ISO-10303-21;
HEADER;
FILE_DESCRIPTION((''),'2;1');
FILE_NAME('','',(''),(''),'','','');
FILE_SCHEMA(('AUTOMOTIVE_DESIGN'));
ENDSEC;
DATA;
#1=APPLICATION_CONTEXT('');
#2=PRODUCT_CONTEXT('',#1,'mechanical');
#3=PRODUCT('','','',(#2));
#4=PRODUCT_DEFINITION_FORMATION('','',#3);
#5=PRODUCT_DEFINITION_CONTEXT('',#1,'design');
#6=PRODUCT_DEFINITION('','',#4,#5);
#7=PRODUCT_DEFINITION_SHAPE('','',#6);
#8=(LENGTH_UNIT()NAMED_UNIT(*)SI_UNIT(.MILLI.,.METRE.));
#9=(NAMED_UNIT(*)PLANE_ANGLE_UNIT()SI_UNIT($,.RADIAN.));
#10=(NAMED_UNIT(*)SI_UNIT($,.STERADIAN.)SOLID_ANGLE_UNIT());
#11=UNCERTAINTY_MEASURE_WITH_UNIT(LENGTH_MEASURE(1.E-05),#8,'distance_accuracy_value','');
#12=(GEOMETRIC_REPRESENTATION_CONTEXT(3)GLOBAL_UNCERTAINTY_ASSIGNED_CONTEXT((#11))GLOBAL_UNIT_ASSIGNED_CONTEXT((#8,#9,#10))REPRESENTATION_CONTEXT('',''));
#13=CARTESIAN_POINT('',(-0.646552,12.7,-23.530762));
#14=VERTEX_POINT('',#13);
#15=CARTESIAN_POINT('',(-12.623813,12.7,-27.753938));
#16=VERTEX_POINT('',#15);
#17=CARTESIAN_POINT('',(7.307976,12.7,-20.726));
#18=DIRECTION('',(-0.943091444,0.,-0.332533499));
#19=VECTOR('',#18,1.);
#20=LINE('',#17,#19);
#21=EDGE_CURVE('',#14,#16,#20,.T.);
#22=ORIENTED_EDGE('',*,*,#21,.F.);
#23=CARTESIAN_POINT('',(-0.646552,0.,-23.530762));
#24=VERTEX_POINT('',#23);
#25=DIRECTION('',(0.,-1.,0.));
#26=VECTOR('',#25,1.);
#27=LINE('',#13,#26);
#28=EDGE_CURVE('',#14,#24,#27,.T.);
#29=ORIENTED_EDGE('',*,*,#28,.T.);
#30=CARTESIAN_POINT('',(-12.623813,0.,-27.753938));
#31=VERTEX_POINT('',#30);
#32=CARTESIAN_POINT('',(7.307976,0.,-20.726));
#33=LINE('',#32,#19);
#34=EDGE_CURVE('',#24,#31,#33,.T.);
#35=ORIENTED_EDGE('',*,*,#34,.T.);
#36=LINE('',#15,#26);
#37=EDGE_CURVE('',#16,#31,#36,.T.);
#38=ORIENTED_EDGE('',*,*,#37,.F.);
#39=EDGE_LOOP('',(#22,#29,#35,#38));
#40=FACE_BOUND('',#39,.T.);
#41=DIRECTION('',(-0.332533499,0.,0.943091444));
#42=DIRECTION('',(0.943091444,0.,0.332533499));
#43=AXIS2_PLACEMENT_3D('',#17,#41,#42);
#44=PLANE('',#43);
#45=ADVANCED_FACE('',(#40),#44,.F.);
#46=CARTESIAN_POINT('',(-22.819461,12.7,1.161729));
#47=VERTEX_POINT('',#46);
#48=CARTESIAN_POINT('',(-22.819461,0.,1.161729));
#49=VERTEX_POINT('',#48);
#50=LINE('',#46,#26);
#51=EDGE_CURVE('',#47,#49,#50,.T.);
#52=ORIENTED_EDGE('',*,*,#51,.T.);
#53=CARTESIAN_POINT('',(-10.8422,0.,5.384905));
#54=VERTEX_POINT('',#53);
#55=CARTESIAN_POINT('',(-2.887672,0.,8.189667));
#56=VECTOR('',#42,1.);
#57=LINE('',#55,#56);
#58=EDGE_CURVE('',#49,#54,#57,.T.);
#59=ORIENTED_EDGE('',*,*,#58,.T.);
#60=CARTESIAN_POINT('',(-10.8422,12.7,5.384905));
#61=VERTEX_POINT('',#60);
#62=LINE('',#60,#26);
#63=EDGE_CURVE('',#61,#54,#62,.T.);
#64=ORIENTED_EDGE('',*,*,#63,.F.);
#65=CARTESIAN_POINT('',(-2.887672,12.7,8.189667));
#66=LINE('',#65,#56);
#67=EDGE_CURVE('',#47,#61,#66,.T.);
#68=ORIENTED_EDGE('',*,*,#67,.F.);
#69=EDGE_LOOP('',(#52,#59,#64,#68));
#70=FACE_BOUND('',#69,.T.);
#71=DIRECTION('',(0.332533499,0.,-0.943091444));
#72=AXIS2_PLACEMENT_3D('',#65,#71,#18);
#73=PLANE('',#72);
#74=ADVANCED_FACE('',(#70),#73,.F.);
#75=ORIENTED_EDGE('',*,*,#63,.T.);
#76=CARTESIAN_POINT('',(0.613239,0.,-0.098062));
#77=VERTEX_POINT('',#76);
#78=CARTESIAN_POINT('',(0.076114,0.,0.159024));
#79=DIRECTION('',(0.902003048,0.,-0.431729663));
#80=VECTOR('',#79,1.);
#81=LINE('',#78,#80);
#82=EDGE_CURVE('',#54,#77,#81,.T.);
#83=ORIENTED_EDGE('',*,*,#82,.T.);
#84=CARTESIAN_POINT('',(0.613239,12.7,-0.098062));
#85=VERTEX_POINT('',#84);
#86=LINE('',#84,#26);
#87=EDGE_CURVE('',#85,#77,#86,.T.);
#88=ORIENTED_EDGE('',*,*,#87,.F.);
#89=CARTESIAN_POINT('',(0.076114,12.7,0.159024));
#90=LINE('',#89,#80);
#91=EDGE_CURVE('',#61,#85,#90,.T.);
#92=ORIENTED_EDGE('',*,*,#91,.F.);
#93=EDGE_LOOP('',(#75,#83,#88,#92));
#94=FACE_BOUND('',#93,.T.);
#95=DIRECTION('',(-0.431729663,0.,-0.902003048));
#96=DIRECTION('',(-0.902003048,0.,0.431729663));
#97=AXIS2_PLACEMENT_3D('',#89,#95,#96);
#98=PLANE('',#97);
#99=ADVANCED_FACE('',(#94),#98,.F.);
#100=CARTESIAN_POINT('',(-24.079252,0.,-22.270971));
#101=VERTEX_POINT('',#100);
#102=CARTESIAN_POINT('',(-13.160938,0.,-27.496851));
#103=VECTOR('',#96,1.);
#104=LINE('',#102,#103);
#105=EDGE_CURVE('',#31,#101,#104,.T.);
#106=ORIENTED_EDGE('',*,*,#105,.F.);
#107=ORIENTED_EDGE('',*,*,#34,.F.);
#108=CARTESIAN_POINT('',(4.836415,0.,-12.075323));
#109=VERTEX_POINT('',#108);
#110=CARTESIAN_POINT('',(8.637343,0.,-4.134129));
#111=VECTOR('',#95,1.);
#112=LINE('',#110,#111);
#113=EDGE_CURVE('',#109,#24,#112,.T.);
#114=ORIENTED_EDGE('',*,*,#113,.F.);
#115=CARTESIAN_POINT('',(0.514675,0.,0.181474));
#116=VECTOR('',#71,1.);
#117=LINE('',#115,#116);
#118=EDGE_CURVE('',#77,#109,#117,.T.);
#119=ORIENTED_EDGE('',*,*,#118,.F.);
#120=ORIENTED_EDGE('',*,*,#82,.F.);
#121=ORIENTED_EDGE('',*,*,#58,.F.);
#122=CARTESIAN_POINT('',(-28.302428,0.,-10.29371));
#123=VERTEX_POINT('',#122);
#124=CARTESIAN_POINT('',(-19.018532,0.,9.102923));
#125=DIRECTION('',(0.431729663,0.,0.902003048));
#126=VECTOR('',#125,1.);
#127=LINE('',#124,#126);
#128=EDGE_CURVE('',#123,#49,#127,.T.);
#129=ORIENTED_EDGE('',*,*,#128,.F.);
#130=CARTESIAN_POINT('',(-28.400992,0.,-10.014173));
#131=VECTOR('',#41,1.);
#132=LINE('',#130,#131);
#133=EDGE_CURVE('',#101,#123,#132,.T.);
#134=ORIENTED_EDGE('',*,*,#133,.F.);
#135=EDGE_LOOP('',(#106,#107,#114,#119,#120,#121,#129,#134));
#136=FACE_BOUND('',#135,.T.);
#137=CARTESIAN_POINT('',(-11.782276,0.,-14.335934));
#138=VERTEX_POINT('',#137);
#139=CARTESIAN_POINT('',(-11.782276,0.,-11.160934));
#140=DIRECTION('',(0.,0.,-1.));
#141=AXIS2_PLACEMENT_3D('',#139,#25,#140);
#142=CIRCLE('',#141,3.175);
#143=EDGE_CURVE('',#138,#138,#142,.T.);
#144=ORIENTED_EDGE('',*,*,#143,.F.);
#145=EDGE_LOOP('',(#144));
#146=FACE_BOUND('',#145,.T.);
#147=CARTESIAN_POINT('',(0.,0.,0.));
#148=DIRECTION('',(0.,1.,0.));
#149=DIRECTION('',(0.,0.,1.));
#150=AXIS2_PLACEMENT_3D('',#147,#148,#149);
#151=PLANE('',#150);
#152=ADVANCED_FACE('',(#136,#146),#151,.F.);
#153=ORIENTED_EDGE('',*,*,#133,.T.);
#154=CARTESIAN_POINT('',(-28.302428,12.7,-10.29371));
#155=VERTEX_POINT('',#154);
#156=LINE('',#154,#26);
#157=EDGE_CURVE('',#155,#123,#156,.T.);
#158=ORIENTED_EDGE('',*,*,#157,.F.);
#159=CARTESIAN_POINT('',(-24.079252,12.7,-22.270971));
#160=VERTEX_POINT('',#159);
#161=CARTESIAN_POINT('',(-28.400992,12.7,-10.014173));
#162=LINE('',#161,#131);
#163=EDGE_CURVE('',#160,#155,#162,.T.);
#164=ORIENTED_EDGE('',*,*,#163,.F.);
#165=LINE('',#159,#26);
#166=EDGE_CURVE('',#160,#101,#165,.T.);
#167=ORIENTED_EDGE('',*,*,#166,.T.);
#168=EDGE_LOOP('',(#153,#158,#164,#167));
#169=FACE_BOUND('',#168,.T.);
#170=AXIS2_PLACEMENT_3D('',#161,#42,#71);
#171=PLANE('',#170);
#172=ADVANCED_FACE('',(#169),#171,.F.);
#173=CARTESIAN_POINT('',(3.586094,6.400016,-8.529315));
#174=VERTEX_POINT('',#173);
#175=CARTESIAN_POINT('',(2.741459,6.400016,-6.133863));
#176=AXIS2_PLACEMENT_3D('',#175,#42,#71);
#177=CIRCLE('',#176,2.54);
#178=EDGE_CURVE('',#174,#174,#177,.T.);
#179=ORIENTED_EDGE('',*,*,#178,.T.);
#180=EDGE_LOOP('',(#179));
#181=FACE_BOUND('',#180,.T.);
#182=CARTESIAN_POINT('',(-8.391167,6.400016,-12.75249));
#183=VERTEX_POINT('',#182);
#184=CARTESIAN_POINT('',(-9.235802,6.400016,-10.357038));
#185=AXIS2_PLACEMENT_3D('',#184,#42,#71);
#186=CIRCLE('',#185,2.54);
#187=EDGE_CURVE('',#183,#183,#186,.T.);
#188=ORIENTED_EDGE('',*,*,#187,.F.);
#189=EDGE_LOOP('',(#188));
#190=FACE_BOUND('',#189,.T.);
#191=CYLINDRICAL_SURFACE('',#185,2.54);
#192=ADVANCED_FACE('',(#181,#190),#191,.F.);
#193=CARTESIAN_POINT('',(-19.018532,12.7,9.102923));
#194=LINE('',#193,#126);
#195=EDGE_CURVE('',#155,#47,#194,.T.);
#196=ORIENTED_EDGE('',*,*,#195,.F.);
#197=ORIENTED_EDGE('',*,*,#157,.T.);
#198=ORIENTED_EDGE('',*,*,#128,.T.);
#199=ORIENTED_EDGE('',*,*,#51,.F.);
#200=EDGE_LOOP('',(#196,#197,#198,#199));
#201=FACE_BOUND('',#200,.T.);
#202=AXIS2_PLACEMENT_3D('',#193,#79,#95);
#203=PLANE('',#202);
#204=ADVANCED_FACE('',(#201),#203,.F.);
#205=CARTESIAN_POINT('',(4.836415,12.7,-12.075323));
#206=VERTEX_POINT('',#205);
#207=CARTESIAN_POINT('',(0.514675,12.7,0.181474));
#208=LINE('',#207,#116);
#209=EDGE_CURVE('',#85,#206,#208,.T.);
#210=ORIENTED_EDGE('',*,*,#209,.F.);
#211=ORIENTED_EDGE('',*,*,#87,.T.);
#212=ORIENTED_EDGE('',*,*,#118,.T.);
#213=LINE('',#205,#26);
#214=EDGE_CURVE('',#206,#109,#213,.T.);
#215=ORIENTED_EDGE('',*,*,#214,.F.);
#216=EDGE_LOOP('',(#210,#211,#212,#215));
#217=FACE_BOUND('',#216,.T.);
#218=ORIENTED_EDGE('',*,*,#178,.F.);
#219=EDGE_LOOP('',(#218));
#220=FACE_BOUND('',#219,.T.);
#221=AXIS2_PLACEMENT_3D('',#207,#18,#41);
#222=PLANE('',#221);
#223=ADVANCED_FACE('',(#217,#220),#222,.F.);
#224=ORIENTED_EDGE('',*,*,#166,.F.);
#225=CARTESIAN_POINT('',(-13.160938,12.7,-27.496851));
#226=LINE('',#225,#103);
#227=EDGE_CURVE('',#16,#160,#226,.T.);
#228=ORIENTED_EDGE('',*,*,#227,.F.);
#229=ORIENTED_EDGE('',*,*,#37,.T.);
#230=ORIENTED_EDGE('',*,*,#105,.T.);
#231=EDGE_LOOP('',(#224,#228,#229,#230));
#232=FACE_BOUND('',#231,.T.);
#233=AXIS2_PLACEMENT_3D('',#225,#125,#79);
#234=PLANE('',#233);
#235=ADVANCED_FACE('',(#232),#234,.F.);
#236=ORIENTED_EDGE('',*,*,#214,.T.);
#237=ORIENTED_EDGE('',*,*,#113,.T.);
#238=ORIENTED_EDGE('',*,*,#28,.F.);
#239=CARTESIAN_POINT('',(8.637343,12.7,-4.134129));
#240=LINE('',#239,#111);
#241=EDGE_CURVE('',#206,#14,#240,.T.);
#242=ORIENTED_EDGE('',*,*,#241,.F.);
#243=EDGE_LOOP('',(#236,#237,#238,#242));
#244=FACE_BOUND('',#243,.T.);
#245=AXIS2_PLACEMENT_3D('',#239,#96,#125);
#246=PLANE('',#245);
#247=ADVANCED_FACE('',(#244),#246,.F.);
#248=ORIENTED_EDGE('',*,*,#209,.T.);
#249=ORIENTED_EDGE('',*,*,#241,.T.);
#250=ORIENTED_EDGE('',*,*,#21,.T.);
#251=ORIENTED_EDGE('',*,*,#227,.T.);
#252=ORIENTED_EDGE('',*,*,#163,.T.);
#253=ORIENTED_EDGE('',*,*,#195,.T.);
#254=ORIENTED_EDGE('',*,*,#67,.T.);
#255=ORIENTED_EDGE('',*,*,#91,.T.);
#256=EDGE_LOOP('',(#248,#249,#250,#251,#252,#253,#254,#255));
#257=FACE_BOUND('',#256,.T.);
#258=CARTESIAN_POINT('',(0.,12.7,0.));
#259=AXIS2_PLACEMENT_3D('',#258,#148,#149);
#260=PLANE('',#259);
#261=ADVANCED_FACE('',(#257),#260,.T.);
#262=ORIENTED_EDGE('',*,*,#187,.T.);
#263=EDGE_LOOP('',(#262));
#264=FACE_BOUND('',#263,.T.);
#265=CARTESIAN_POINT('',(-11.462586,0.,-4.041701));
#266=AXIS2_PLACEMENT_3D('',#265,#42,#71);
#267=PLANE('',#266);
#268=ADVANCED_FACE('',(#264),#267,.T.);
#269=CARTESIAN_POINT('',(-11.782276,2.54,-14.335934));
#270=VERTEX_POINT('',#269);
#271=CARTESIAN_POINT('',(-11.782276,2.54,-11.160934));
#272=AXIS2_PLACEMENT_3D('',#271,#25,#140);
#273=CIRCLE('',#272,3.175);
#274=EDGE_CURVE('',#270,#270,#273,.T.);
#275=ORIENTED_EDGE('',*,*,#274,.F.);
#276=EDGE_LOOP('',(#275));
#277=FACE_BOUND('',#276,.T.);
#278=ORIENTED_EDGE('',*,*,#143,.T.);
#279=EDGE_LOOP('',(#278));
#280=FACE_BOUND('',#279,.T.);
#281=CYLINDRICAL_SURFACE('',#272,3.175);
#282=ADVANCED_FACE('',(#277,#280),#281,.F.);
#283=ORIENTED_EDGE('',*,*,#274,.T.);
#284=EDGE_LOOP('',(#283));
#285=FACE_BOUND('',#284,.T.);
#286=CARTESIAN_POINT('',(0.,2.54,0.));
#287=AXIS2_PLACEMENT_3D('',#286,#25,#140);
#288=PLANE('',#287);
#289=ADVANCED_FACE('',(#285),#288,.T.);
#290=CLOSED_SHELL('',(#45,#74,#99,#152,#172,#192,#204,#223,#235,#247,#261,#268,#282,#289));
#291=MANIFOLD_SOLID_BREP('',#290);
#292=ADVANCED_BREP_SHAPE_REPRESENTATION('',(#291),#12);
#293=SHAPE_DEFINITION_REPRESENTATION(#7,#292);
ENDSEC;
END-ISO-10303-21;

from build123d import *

# Parameters (mm, degrees)
BOSS_EXTRUDE1_DEPTH = 12.7
CUT_EXTRUDE1_DEPTH  = 12.7
CUT_EXTRUDE2_DEPTH  = 2.54


with BuildPart() as part:
    # Sketch1 → Boss-Extrude1 (new body)
    with BuildSketch(Plane(origin=(0, 0, 0), x_dir=(1, 0, 0), z_dir=(0, 1, 0))):
        Polygon((-10.842199515, -5.384904617), (0.613239188, 0.098062109), (4.836414625, 12.07532345), (-0.6465521, 23.530762153), (-12.623813441, 27.75393759), (-24.079252145, 22.270970865), (-28.302427581, 10.293709523), (-22.819460856, -1.16172918), align=None)
    extrude(amount=BOSS_EXTRUDE1_DEPTH)

    # Sketch2 → Cut-Extrude1 (cut)
    with BuildSketch(Plane(origin=(0.514674893, 0, 0.18147407), x_dir=(0.33253349893190465, 0, -0.9430914441813716), z_dir=(0.9430914441813716, 0, 0.33253349893190465))):
        with BuildLine():
            ThreePointArc((9.236420315, 6.400016207), (9.043074328, 7.372032125), (8.49247154, 8.196067431))
            Line((8.49247154, 8.196067431), (6.646404109, 6.35))
            Line((6.646404109, 6.35), (8.441758775, 4.554645333))
            ThreePointArc((8.441758775, 4.554645333), (9.029311192, 5.395416707), (9.236420315, 6.400016207))
        make_face()
        with BuildLine():
            Line((6.646404109, 6.35), (8.49247154, 8.196067431))
            ThreePointArc((8.49247154, 8.196067431), (6.661050087, 8.939769925), (4.851049442, 8.145354667))
            Line((4.851049442, 8.145354667), (6.646404109, 6.35))
        make_face()
        with BuildLine():
            Line((8.441758775, 4.554645333), (6.646404109, 6.35))
            Line((6.646404109, 6.35), (4.900369091, 4.603964983))
            ThreePointArc((4.900369091, 4.603964983), (6.661050087, 3.860262489), (8.441758775, 4.554645333))
        make_face()
        with BuildLine():
            Line((4.900369091, 4.603964983), (6.646404109, 6.35))
            Line((6.646404109, 6.35), (4.851049442, 8.145354667))
            ThreePointArc((4.851049442, 8.145354667), (4.156666598, 6.364645978), (4.900369091, 4.603964983))
        make_face()
    extrude(amount=-CUT_EXTRUDE1_DEPTH, mode=Mode.SUBTRACT)

    # Sketch3 → Cut-Extrude2 (cut)
    with BuildSketch(Plane.XZ):
        with BuildLine():
            ThreePointArc((-14.953750816, -11.01136249), (-13.141781341, -14.030145133), (-9.65800947, -13.520620278))
            Line((-9.65800947, -13.520620278), (-11.762472687, -11.182932321))
            Line((-11.762472687, -11.182932321), (-14.953750816, -11.01136249))
        make_face()
        with BuildLine():
            Line((-11.762472687, -11.182932321), (-9.65800947, -13.520620278))
            ThreePointArc((-9.65800947, -13.520620278), (-8.922077868, -12.53930026), (-8.613045297, -11.352252168))
            Line((-8.613045297, -11.352252168), (-11.762472687, -11.182932321))
        make_face()
        with BuildLine():
            Line((-14.953750816, -11.01136249), (-11.762472687, -11.182932321))
            Line((-11.762472687, -11.182932321), (-13.906542304, -8.80124863))
            ThreePointArc((-13.906542304, -8.80124863), (-14.651486566, -9.801429), (-14.953750816, -11.01136249))
        make_face()
        with BuildLine():
            Line((-13.906542304, -8.80124863), (-11.762472687, -11.182932321))
            Line((-11.762472687, -11.182932321), (-8.613045297, -11.352252168))
            ThreePointArc((-8.613045297, -11.352252168), (-8.608718567, -11.256636797), (-8.607275887, -11.160934454))
            ThreePointArc((-8.607275887, -11.160934454), (-10.490749827, -8.260488723), (-13.906542304, -8.80124863))
        make_face()
    extrude(amount=-CUT_EXTRUDE2_DEPTH, mode=Mode.SUBTRACT)


solid = part.part
